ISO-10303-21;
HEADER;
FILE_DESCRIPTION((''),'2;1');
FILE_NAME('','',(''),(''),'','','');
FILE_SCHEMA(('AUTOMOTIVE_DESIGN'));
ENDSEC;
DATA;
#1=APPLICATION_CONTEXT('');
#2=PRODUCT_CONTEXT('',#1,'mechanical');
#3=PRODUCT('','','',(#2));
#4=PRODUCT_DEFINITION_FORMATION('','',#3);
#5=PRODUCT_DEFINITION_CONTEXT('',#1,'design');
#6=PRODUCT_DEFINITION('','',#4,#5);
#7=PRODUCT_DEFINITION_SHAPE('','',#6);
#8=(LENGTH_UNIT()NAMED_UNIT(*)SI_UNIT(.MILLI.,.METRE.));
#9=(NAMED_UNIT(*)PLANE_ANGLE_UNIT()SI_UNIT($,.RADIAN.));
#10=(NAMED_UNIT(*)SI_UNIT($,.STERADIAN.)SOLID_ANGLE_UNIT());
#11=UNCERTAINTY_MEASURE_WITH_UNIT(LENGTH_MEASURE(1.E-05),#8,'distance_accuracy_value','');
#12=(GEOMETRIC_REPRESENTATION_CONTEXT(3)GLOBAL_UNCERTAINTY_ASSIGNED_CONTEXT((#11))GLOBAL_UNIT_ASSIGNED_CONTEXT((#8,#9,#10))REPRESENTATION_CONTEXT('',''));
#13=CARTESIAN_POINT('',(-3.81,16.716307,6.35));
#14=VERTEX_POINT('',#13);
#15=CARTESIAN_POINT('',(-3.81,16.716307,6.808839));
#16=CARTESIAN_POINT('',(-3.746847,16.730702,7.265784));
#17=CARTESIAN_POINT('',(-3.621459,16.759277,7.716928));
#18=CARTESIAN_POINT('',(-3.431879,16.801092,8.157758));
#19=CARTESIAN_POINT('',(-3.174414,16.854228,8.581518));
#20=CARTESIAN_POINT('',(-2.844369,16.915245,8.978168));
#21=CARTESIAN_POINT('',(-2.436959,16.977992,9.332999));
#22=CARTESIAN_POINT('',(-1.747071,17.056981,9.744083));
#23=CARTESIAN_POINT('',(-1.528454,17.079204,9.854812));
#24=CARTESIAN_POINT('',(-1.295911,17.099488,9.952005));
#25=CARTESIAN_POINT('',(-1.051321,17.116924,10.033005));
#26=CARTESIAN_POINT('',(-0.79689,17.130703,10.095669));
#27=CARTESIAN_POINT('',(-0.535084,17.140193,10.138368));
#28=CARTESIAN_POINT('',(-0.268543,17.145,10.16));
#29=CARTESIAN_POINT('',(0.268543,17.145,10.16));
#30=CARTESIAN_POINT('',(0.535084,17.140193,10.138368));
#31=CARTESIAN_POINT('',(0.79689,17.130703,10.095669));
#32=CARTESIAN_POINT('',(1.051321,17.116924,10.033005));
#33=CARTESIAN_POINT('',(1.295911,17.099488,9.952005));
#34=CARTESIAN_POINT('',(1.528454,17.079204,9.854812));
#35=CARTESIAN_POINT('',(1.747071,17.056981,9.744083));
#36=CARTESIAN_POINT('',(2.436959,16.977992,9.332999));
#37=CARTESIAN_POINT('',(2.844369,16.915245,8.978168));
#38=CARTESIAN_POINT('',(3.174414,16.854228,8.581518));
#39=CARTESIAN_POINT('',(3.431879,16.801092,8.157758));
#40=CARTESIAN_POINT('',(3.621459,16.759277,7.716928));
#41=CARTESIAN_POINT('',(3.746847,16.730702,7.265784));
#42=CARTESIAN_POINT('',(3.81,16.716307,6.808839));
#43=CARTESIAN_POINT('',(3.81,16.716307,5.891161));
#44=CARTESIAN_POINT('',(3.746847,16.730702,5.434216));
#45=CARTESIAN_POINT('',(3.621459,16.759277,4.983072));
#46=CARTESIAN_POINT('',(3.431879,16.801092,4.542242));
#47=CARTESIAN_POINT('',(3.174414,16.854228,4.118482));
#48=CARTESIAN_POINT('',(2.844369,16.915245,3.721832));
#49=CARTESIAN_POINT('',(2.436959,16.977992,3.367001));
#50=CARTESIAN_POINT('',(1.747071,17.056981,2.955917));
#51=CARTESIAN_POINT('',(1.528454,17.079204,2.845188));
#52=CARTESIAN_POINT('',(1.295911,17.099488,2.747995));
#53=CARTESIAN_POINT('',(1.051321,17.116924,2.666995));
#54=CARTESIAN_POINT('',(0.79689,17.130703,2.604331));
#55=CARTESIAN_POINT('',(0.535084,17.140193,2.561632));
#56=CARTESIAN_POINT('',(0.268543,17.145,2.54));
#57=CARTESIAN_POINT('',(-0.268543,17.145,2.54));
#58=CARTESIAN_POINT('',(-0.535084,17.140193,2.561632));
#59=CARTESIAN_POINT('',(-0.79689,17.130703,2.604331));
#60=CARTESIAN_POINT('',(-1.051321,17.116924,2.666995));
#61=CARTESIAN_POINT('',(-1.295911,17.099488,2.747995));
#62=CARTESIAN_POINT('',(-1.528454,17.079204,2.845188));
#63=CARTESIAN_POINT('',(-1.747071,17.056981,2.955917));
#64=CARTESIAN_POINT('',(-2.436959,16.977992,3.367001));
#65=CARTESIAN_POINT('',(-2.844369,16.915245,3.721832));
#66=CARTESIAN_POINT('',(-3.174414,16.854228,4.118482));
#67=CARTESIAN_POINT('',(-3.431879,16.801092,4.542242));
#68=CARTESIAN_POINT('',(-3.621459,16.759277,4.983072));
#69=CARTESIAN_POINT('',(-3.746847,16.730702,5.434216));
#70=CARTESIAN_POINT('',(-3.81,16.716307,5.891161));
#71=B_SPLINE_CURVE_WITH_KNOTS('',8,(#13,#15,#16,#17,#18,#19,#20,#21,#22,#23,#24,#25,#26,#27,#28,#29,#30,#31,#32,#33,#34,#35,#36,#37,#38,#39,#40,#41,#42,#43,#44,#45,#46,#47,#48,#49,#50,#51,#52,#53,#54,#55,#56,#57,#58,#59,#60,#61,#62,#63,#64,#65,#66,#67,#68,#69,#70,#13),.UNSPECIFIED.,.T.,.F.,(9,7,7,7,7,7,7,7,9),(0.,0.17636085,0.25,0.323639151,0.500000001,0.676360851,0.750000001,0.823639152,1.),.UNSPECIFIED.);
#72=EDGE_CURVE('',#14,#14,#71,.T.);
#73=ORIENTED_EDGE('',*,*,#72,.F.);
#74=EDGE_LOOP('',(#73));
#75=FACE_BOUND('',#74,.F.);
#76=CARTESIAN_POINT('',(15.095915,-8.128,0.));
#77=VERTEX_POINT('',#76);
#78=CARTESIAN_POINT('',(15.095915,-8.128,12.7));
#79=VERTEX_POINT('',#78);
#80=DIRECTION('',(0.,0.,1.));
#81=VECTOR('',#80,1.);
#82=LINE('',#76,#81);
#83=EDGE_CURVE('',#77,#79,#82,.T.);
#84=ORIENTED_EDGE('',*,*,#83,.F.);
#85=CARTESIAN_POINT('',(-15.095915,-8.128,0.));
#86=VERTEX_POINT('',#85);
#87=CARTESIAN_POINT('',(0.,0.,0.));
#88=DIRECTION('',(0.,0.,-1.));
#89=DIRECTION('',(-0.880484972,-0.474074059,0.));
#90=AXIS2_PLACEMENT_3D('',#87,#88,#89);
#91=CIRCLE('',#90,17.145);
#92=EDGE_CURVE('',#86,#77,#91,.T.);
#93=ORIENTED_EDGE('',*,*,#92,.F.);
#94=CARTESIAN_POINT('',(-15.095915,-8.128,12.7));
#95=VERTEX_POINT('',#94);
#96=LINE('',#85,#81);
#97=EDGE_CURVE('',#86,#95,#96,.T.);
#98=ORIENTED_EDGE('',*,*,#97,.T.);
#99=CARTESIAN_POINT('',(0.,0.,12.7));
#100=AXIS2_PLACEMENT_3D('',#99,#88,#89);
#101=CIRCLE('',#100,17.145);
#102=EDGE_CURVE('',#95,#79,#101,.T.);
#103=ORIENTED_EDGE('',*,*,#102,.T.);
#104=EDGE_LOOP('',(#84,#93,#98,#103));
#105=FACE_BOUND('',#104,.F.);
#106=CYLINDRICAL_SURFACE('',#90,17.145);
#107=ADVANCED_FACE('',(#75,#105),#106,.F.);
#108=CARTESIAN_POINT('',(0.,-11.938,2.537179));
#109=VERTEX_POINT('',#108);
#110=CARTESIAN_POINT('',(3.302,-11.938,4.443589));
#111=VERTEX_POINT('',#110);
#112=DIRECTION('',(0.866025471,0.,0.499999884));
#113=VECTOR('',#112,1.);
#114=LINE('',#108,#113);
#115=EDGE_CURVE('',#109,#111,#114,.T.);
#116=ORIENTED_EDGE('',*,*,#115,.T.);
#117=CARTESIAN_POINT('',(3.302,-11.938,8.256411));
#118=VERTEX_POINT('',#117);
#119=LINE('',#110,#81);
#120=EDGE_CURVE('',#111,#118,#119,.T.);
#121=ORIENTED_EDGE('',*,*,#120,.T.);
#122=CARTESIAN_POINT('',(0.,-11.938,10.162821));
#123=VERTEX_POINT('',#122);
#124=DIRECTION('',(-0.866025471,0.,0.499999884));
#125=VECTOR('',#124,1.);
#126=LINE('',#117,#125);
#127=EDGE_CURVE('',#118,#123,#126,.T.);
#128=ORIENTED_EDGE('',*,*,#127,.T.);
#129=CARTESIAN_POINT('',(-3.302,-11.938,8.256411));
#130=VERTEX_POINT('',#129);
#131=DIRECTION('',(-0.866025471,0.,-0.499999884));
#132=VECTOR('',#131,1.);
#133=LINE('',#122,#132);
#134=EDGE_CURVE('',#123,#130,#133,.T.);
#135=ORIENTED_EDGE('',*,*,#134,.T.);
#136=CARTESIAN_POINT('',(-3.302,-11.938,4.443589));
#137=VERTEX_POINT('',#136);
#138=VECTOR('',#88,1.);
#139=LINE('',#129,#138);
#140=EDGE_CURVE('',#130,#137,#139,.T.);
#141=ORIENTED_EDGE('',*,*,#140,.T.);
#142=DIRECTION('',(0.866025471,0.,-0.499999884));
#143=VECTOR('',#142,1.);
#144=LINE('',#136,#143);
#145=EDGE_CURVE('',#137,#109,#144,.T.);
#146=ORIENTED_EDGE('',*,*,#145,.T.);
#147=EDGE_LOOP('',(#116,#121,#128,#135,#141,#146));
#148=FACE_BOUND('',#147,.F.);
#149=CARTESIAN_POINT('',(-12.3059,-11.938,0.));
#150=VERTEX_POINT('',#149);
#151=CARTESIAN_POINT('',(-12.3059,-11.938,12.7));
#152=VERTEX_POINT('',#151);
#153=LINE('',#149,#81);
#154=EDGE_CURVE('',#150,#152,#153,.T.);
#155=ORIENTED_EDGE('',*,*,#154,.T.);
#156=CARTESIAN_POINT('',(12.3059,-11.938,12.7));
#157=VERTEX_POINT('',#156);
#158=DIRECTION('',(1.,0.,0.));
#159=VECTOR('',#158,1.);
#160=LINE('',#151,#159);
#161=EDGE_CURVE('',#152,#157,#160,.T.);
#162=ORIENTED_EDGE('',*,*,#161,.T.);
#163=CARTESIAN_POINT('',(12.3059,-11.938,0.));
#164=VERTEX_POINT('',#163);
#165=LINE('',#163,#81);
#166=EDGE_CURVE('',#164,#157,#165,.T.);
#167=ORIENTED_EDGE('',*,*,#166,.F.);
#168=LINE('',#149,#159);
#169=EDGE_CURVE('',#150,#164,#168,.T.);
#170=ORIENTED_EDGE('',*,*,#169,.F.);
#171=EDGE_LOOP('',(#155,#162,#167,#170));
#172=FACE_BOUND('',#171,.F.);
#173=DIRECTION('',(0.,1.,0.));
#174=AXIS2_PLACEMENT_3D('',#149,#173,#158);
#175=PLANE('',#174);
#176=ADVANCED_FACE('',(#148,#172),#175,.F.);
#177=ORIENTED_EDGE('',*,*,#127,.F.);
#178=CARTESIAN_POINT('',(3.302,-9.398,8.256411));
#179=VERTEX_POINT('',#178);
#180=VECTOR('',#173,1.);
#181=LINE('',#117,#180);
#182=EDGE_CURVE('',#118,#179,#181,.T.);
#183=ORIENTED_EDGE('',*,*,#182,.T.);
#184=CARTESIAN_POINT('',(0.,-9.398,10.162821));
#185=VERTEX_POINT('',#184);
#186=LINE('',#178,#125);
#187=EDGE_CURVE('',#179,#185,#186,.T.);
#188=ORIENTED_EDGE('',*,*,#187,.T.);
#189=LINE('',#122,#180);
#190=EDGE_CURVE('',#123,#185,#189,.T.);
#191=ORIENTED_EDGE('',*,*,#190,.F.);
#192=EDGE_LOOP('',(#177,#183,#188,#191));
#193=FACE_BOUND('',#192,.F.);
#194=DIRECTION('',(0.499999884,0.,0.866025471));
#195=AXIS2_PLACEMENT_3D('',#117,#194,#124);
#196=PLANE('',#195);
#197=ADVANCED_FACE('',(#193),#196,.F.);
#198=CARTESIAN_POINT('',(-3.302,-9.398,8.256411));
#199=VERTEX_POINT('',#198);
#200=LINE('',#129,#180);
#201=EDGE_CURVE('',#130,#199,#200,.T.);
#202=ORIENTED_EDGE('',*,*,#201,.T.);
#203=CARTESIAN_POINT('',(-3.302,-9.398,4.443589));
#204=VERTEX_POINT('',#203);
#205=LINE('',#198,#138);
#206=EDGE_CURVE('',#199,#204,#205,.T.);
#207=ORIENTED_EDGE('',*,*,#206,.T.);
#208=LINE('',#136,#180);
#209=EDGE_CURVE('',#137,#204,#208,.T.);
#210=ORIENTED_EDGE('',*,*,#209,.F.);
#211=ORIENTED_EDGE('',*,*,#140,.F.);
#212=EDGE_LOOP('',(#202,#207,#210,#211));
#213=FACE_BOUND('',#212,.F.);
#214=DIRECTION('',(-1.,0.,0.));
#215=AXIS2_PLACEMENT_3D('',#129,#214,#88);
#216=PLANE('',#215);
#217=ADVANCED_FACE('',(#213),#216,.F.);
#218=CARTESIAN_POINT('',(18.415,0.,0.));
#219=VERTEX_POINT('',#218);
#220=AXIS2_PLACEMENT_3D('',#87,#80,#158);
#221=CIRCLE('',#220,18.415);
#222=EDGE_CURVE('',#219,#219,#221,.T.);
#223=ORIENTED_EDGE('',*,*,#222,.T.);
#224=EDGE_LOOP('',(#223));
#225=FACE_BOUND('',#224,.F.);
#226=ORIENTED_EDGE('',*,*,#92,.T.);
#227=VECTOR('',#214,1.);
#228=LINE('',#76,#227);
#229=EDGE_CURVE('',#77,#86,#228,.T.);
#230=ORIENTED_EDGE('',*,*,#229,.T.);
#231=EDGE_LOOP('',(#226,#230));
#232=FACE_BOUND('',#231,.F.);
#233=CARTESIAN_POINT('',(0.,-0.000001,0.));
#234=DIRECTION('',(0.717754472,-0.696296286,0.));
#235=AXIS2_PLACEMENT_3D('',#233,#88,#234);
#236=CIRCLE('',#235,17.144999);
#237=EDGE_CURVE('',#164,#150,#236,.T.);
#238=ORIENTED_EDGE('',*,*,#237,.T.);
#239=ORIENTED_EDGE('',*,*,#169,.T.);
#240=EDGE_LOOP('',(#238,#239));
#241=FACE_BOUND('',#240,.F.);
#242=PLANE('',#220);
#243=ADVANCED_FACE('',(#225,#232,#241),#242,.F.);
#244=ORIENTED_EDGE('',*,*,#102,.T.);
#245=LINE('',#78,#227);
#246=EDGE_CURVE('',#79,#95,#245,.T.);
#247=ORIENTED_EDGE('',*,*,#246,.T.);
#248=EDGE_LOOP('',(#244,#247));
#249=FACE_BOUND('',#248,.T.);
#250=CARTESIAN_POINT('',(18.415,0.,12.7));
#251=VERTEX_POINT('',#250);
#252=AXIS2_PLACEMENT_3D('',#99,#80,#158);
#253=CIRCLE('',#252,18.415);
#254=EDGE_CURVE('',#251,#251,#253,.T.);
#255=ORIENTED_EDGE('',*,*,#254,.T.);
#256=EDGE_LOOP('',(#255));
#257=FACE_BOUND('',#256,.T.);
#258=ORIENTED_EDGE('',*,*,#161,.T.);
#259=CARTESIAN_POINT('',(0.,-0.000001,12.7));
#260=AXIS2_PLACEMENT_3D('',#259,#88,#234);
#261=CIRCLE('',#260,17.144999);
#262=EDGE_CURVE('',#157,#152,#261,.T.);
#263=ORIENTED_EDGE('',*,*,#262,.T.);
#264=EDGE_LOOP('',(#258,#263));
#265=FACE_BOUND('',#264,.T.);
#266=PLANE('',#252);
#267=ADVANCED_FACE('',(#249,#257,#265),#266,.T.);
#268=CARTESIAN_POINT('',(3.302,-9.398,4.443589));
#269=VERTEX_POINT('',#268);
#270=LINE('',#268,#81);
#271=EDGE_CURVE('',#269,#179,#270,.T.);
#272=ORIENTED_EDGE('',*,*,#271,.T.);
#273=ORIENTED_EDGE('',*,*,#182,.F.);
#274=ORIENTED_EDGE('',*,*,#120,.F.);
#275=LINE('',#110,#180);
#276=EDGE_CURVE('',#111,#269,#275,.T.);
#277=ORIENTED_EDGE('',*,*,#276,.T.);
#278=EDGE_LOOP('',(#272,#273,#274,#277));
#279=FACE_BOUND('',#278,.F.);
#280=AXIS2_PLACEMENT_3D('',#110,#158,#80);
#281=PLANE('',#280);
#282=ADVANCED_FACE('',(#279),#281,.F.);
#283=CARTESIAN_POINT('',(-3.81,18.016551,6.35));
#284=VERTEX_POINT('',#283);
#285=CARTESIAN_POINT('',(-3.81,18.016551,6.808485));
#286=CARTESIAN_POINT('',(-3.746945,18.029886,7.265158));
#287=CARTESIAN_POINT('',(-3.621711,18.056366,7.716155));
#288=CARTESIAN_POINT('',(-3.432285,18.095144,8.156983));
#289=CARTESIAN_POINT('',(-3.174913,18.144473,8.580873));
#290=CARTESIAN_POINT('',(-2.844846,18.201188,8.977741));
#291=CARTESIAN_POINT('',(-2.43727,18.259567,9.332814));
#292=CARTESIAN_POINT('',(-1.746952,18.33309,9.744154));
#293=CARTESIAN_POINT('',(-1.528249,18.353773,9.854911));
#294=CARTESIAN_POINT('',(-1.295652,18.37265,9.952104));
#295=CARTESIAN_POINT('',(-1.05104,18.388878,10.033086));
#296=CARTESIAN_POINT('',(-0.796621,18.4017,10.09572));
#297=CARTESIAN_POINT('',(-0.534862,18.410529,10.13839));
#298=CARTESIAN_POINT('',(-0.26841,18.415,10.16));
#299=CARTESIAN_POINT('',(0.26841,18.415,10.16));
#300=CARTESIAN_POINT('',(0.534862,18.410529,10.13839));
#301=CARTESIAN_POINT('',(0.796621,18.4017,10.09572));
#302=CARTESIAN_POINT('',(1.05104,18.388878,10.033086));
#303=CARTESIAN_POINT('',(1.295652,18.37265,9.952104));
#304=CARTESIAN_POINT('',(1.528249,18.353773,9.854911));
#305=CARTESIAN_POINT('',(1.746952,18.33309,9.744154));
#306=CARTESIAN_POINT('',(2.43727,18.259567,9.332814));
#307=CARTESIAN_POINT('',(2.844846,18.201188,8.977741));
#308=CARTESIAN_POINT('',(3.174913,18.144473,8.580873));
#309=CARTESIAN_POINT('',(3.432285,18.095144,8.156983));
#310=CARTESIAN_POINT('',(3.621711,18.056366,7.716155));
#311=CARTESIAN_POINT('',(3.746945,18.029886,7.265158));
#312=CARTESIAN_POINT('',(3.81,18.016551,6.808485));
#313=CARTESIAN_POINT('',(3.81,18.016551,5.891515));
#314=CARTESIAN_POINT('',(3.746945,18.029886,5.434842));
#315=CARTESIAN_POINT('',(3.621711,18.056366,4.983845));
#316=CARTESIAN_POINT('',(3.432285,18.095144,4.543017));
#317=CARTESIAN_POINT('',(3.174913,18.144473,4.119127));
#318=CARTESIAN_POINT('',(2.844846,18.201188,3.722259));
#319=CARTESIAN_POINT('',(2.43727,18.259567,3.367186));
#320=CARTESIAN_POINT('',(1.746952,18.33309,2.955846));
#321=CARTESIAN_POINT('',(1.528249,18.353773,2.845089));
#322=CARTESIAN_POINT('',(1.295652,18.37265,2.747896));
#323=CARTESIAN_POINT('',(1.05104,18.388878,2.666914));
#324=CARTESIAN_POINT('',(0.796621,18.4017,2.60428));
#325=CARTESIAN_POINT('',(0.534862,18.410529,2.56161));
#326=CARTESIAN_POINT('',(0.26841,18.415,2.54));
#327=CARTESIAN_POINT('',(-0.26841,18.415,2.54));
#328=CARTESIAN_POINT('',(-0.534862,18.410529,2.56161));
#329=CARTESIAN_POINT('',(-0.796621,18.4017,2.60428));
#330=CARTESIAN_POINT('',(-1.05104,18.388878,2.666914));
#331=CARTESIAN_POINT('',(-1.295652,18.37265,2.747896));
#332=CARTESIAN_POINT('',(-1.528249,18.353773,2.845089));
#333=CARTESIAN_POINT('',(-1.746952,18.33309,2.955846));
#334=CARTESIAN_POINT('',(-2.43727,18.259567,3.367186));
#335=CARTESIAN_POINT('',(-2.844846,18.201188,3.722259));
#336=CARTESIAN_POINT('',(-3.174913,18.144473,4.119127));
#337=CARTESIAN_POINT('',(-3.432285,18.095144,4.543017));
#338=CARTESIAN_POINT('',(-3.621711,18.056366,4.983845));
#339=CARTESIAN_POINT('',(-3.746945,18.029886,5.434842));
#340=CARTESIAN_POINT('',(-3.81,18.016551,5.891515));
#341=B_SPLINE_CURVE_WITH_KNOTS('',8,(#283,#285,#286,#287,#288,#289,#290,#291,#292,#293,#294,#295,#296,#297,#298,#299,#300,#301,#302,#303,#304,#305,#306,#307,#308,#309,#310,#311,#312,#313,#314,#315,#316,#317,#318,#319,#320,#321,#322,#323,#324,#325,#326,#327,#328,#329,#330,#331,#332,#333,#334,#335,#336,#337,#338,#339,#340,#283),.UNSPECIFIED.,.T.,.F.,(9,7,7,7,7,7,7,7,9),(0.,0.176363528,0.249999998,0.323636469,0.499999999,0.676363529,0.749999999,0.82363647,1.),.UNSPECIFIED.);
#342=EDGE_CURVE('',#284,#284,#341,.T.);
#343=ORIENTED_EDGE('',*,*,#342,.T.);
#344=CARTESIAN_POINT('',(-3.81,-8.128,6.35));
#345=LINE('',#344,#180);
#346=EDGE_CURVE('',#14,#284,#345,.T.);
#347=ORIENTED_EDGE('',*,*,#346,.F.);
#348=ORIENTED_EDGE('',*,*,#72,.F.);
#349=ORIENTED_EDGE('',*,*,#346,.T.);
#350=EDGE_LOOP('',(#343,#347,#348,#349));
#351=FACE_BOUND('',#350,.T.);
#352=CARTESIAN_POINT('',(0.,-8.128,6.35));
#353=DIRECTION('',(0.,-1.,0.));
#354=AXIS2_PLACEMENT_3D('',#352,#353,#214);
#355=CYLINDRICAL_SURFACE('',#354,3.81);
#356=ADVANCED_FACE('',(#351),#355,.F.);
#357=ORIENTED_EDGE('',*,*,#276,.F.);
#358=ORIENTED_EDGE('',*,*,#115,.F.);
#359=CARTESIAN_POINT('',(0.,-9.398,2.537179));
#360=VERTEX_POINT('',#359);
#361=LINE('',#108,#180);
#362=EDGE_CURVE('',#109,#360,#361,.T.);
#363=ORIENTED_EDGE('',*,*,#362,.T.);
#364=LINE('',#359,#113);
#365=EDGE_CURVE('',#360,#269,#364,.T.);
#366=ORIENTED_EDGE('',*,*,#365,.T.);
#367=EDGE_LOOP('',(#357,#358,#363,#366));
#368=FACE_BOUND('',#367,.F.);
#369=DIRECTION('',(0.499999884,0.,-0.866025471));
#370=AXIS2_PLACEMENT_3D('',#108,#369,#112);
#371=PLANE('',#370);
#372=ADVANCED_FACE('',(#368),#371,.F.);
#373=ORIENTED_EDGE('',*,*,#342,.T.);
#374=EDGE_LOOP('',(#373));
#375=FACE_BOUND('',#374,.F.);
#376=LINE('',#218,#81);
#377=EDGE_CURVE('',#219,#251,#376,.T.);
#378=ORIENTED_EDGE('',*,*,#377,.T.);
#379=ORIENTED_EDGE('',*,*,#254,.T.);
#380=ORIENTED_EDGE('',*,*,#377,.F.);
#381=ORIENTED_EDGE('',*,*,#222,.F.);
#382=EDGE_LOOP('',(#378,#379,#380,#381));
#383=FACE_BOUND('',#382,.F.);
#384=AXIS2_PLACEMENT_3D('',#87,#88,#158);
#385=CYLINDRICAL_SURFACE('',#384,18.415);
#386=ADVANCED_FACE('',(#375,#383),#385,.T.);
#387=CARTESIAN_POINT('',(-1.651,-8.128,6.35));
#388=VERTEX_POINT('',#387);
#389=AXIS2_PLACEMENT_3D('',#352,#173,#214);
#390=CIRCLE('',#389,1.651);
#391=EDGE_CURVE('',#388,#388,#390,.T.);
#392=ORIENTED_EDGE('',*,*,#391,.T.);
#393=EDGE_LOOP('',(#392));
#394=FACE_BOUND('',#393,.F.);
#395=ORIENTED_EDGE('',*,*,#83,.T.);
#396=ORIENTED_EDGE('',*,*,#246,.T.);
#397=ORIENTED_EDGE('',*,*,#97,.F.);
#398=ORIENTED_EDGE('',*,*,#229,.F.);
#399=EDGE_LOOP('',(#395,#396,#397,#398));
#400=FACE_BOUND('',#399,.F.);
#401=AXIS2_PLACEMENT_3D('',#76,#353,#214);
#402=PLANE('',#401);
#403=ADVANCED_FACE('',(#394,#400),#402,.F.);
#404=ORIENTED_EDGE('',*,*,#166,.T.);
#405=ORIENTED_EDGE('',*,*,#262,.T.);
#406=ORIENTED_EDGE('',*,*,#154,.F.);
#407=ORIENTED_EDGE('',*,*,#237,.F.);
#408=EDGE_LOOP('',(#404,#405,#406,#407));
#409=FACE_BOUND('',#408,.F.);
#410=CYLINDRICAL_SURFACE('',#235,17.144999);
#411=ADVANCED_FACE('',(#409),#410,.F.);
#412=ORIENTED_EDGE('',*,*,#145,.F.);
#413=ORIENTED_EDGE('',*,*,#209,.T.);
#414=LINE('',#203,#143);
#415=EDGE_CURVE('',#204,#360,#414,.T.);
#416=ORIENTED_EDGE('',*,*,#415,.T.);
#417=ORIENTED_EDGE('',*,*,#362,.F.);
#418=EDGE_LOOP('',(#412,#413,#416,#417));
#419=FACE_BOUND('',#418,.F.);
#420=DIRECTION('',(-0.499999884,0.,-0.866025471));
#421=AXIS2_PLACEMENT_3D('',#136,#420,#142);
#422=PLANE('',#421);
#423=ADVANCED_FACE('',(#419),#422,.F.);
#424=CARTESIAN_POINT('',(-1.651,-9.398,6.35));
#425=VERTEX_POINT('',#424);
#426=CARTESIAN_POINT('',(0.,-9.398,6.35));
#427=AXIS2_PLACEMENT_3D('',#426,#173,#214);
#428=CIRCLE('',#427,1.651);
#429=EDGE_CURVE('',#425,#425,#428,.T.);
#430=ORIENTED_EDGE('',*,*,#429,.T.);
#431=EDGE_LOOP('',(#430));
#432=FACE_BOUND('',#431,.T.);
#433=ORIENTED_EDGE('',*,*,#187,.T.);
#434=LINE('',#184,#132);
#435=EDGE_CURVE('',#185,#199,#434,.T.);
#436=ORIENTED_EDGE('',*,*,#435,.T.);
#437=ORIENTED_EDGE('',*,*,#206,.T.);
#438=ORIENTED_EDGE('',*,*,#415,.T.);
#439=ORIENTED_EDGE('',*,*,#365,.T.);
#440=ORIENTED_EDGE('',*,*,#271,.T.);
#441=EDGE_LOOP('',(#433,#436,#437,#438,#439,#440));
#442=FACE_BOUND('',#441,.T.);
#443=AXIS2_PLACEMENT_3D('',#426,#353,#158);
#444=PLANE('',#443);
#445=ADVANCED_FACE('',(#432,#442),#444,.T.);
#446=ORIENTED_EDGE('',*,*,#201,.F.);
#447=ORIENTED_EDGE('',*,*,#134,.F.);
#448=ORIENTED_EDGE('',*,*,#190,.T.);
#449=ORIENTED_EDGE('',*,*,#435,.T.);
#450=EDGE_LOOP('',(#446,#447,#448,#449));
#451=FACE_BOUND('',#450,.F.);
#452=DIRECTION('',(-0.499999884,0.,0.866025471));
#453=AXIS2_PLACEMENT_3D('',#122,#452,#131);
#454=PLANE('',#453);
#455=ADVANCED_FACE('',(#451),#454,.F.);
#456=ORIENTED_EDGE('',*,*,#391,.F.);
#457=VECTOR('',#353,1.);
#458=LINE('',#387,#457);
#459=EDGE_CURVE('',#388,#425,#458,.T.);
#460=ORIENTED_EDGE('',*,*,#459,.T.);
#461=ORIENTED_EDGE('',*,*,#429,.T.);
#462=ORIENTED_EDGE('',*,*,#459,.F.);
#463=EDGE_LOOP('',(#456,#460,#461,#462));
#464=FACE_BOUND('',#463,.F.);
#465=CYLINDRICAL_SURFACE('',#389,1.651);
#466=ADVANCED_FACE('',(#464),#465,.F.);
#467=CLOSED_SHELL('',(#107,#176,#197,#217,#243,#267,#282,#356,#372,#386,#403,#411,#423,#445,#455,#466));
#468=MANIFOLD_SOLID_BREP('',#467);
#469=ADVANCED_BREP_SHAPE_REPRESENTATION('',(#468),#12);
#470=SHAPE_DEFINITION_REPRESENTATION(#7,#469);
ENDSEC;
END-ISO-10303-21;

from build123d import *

# Parameters (mm, degrees)
F0_R     = 18.415
F1_DEPTH = 12.7
F2_R     = 1.651
F3_DEPTH = 3.81
F5_DEPTH = 2.54
F6_R     = 3.81
F7_DEPTH = 26.544


with BuildPart() as f1:
    # F0 (on Top) → F1 (new body)
    with BuildSketch(Plane.XY):
        Circle(F0_R)
        with BuildLine():
            ThreePointArc((12.3059, -11.938), (0, -17.145), (-12.3059, -11.938))
            Line((-12.3059, -11.938), (12.3059, -11.938))
        make_face(mode=Mode.SUBTRACT)
        with BuildLine():
            Line((15.095915, -8.128), (-15.095915, -8.128))
            ThreePointArc((-15.095915, -8.128), (0, 17.145), (15.095915, -8.128))
        make_face(mode=Mode.SUBTRACT)
    extrude(amount=F1_DEPTH)

    # F2 (on face) → F3 (cut, through all)
    with BuildSketch(Plane(origin=(0, -8.128, 0), x_dir=(-1, 0, 0), z_dir=(0, 1, 0))):
        with Locations((0, 6.35)):
            Circle(F2_R)
    extrude(amount=-F3_DEPTH, mode=Mode.SUBTRACT)

    # F4 (on face) → F5 (cut)
    with BuildSketch(Plane.XZ.offset(11.938)):
        Polygon((3.302, 4.443589), (3.302, 8.256411), (0, 10.162821), (-3.302, 8.256411), (-3.302, 4.443589), (0, 2.537179), align=None)
    extrude(amount=-F5_DEPTH, mode=Mode.SUBTRACT)

    # F6 (on face) → F7 (cut, through all)
    with BuildSketch(Plane(origin=(0, -8.128, 0), x_dir=(-1, 0, 0), z_dir=(0, 1, 0))):
        with Locations((0, 6.35)):
            Circle(F6_R)
    extrude(amount=F7_DEPTH, mode=Mode.SUBTRACT)


solid = f1.part
